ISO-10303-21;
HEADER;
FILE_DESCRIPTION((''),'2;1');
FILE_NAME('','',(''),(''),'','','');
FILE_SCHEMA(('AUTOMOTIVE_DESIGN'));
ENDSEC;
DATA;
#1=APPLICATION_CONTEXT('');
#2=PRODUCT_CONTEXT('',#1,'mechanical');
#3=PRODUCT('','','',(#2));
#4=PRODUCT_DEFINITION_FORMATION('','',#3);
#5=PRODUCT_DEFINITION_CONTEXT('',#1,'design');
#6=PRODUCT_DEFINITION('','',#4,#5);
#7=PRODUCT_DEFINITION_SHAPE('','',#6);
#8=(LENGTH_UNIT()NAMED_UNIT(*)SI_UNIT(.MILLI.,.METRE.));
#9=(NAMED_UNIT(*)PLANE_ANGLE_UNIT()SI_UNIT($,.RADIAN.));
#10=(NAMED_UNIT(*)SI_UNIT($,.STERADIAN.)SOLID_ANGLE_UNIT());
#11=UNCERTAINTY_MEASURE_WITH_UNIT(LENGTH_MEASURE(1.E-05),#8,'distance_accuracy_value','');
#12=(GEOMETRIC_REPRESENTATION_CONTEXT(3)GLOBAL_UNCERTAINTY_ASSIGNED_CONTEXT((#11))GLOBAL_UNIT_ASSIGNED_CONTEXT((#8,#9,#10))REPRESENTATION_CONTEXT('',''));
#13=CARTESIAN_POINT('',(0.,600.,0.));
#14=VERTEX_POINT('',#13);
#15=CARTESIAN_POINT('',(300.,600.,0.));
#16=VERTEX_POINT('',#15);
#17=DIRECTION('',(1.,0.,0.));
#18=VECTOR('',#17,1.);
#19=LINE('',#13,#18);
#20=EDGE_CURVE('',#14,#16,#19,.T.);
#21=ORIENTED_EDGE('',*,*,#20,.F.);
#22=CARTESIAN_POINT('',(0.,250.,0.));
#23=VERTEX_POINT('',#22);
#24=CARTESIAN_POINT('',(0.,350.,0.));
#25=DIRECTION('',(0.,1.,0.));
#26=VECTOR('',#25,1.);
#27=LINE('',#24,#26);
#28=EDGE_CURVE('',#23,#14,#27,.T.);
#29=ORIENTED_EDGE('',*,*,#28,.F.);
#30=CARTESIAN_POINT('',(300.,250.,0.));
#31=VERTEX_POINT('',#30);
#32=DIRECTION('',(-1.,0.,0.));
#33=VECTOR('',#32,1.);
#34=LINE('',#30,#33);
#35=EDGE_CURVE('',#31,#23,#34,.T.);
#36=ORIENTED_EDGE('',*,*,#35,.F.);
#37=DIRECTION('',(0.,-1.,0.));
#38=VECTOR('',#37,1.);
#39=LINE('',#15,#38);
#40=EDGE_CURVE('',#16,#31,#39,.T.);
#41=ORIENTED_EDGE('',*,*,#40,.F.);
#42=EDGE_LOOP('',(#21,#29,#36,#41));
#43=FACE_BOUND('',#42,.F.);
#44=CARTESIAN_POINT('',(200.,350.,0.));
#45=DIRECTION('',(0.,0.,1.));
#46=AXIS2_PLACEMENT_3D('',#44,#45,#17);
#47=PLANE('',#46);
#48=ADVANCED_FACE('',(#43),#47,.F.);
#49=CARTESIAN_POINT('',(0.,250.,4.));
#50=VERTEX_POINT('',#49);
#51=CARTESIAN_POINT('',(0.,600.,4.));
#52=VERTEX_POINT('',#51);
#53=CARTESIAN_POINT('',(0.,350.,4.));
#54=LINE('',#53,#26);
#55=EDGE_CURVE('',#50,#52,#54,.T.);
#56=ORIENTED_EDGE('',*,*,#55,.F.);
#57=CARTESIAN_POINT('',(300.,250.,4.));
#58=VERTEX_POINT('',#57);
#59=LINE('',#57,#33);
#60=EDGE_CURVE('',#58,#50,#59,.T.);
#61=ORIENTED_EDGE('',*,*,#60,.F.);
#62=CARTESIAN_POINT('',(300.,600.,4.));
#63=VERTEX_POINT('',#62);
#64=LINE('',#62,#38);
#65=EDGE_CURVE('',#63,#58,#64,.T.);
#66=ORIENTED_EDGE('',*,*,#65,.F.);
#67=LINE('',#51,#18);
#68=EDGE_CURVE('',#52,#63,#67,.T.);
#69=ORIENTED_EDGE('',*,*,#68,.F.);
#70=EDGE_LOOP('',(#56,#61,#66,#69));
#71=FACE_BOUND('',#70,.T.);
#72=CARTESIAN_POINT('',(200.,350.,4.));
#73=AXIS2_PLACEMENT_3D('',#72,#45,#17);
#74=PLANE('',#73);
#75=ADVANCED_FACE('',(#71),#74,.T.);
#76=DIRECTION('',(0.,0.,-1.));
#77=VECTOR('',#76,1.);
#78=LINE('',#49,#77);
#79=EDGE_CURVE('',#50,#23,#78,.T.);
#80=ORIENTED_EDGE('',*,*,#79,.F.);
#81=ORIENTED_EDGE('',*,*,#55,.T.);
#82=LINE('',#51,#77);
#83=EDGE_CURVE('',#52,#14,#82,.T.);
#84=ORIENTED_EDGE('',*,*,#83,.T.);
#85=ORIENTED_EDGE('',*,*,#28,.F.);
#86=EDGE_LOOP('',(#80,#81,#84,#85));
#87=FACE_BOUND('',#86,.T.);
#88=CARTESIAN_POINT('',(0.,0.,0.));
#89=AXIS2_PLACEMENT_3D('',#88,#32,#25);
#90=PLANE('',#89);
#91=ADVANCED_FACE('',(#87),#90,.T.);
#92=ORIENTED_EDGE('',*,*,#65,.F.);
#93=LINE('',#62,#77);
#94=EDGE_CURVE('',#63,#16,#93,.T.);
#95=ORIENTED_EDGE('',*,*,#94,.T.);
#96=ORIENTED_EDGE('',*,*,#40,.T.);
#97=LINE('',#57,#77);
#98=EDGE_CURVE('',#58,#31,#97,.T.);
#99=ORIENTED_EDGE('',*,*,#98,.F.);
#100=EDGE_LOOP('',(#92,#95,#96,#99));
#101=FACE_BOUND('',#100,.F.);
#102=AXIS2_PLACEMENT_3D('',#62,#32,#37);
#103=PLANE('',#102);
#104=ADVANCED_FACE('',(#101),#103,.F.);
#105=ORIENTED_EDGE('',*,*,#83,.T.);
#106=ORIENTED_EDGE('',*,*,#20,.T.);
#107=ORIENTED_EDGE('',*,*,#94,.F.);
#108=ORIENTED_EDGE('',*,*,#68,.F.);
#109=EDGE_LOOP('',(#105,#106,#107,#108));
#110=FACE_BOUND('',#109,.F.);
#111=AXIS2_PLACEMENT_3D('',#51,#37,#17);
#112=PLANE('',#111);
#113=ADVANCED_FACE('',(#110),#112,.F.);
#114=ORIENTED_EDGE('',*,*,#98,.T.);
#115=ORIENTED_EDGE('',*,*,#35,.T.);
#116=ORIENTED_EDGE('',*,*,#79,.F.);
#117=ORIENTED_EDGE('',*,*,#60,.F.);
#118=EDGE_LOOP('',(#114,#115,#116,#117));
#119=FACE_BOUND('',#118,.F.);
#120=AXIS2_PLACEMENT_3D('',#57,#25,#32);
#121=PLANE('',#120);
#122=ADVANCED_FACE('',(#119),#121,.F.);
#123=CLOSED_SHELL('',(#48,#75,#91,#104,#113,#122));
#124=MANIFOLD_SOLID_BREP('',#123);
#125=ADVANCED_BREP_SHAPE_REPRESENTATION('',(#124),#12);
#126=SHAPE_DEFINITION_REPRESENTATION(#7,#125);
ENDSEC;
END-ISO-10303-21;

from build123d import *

# Parameters (mm, degrees)
F0_W     = 400
F0_H     = 700
F1_DEPTH = 4
F3_DEPTH = 4


with BuildPart() as f1:
    # F0 (on Top) → F1 (new body)
    with BuildSketch(Plane.XY):
        with Locations((200, 350)):
            Rectangle(F0_W, F0_H)
    extrude(amount=F1_DEPTH)

    # F2 (on face) → F3 (cut, through all)
    with BuildSketch(Plane.XY.offset(4)):
        Polygon((300, 250), (0, 250), (0, 0), (400, 0), (400, 700), (0, 700), (0, 600), (300, 600), align=None)
    extrude(amount=-F3_DEPTH, mode=Mode.SUBTRACT)


solid = f1.part
